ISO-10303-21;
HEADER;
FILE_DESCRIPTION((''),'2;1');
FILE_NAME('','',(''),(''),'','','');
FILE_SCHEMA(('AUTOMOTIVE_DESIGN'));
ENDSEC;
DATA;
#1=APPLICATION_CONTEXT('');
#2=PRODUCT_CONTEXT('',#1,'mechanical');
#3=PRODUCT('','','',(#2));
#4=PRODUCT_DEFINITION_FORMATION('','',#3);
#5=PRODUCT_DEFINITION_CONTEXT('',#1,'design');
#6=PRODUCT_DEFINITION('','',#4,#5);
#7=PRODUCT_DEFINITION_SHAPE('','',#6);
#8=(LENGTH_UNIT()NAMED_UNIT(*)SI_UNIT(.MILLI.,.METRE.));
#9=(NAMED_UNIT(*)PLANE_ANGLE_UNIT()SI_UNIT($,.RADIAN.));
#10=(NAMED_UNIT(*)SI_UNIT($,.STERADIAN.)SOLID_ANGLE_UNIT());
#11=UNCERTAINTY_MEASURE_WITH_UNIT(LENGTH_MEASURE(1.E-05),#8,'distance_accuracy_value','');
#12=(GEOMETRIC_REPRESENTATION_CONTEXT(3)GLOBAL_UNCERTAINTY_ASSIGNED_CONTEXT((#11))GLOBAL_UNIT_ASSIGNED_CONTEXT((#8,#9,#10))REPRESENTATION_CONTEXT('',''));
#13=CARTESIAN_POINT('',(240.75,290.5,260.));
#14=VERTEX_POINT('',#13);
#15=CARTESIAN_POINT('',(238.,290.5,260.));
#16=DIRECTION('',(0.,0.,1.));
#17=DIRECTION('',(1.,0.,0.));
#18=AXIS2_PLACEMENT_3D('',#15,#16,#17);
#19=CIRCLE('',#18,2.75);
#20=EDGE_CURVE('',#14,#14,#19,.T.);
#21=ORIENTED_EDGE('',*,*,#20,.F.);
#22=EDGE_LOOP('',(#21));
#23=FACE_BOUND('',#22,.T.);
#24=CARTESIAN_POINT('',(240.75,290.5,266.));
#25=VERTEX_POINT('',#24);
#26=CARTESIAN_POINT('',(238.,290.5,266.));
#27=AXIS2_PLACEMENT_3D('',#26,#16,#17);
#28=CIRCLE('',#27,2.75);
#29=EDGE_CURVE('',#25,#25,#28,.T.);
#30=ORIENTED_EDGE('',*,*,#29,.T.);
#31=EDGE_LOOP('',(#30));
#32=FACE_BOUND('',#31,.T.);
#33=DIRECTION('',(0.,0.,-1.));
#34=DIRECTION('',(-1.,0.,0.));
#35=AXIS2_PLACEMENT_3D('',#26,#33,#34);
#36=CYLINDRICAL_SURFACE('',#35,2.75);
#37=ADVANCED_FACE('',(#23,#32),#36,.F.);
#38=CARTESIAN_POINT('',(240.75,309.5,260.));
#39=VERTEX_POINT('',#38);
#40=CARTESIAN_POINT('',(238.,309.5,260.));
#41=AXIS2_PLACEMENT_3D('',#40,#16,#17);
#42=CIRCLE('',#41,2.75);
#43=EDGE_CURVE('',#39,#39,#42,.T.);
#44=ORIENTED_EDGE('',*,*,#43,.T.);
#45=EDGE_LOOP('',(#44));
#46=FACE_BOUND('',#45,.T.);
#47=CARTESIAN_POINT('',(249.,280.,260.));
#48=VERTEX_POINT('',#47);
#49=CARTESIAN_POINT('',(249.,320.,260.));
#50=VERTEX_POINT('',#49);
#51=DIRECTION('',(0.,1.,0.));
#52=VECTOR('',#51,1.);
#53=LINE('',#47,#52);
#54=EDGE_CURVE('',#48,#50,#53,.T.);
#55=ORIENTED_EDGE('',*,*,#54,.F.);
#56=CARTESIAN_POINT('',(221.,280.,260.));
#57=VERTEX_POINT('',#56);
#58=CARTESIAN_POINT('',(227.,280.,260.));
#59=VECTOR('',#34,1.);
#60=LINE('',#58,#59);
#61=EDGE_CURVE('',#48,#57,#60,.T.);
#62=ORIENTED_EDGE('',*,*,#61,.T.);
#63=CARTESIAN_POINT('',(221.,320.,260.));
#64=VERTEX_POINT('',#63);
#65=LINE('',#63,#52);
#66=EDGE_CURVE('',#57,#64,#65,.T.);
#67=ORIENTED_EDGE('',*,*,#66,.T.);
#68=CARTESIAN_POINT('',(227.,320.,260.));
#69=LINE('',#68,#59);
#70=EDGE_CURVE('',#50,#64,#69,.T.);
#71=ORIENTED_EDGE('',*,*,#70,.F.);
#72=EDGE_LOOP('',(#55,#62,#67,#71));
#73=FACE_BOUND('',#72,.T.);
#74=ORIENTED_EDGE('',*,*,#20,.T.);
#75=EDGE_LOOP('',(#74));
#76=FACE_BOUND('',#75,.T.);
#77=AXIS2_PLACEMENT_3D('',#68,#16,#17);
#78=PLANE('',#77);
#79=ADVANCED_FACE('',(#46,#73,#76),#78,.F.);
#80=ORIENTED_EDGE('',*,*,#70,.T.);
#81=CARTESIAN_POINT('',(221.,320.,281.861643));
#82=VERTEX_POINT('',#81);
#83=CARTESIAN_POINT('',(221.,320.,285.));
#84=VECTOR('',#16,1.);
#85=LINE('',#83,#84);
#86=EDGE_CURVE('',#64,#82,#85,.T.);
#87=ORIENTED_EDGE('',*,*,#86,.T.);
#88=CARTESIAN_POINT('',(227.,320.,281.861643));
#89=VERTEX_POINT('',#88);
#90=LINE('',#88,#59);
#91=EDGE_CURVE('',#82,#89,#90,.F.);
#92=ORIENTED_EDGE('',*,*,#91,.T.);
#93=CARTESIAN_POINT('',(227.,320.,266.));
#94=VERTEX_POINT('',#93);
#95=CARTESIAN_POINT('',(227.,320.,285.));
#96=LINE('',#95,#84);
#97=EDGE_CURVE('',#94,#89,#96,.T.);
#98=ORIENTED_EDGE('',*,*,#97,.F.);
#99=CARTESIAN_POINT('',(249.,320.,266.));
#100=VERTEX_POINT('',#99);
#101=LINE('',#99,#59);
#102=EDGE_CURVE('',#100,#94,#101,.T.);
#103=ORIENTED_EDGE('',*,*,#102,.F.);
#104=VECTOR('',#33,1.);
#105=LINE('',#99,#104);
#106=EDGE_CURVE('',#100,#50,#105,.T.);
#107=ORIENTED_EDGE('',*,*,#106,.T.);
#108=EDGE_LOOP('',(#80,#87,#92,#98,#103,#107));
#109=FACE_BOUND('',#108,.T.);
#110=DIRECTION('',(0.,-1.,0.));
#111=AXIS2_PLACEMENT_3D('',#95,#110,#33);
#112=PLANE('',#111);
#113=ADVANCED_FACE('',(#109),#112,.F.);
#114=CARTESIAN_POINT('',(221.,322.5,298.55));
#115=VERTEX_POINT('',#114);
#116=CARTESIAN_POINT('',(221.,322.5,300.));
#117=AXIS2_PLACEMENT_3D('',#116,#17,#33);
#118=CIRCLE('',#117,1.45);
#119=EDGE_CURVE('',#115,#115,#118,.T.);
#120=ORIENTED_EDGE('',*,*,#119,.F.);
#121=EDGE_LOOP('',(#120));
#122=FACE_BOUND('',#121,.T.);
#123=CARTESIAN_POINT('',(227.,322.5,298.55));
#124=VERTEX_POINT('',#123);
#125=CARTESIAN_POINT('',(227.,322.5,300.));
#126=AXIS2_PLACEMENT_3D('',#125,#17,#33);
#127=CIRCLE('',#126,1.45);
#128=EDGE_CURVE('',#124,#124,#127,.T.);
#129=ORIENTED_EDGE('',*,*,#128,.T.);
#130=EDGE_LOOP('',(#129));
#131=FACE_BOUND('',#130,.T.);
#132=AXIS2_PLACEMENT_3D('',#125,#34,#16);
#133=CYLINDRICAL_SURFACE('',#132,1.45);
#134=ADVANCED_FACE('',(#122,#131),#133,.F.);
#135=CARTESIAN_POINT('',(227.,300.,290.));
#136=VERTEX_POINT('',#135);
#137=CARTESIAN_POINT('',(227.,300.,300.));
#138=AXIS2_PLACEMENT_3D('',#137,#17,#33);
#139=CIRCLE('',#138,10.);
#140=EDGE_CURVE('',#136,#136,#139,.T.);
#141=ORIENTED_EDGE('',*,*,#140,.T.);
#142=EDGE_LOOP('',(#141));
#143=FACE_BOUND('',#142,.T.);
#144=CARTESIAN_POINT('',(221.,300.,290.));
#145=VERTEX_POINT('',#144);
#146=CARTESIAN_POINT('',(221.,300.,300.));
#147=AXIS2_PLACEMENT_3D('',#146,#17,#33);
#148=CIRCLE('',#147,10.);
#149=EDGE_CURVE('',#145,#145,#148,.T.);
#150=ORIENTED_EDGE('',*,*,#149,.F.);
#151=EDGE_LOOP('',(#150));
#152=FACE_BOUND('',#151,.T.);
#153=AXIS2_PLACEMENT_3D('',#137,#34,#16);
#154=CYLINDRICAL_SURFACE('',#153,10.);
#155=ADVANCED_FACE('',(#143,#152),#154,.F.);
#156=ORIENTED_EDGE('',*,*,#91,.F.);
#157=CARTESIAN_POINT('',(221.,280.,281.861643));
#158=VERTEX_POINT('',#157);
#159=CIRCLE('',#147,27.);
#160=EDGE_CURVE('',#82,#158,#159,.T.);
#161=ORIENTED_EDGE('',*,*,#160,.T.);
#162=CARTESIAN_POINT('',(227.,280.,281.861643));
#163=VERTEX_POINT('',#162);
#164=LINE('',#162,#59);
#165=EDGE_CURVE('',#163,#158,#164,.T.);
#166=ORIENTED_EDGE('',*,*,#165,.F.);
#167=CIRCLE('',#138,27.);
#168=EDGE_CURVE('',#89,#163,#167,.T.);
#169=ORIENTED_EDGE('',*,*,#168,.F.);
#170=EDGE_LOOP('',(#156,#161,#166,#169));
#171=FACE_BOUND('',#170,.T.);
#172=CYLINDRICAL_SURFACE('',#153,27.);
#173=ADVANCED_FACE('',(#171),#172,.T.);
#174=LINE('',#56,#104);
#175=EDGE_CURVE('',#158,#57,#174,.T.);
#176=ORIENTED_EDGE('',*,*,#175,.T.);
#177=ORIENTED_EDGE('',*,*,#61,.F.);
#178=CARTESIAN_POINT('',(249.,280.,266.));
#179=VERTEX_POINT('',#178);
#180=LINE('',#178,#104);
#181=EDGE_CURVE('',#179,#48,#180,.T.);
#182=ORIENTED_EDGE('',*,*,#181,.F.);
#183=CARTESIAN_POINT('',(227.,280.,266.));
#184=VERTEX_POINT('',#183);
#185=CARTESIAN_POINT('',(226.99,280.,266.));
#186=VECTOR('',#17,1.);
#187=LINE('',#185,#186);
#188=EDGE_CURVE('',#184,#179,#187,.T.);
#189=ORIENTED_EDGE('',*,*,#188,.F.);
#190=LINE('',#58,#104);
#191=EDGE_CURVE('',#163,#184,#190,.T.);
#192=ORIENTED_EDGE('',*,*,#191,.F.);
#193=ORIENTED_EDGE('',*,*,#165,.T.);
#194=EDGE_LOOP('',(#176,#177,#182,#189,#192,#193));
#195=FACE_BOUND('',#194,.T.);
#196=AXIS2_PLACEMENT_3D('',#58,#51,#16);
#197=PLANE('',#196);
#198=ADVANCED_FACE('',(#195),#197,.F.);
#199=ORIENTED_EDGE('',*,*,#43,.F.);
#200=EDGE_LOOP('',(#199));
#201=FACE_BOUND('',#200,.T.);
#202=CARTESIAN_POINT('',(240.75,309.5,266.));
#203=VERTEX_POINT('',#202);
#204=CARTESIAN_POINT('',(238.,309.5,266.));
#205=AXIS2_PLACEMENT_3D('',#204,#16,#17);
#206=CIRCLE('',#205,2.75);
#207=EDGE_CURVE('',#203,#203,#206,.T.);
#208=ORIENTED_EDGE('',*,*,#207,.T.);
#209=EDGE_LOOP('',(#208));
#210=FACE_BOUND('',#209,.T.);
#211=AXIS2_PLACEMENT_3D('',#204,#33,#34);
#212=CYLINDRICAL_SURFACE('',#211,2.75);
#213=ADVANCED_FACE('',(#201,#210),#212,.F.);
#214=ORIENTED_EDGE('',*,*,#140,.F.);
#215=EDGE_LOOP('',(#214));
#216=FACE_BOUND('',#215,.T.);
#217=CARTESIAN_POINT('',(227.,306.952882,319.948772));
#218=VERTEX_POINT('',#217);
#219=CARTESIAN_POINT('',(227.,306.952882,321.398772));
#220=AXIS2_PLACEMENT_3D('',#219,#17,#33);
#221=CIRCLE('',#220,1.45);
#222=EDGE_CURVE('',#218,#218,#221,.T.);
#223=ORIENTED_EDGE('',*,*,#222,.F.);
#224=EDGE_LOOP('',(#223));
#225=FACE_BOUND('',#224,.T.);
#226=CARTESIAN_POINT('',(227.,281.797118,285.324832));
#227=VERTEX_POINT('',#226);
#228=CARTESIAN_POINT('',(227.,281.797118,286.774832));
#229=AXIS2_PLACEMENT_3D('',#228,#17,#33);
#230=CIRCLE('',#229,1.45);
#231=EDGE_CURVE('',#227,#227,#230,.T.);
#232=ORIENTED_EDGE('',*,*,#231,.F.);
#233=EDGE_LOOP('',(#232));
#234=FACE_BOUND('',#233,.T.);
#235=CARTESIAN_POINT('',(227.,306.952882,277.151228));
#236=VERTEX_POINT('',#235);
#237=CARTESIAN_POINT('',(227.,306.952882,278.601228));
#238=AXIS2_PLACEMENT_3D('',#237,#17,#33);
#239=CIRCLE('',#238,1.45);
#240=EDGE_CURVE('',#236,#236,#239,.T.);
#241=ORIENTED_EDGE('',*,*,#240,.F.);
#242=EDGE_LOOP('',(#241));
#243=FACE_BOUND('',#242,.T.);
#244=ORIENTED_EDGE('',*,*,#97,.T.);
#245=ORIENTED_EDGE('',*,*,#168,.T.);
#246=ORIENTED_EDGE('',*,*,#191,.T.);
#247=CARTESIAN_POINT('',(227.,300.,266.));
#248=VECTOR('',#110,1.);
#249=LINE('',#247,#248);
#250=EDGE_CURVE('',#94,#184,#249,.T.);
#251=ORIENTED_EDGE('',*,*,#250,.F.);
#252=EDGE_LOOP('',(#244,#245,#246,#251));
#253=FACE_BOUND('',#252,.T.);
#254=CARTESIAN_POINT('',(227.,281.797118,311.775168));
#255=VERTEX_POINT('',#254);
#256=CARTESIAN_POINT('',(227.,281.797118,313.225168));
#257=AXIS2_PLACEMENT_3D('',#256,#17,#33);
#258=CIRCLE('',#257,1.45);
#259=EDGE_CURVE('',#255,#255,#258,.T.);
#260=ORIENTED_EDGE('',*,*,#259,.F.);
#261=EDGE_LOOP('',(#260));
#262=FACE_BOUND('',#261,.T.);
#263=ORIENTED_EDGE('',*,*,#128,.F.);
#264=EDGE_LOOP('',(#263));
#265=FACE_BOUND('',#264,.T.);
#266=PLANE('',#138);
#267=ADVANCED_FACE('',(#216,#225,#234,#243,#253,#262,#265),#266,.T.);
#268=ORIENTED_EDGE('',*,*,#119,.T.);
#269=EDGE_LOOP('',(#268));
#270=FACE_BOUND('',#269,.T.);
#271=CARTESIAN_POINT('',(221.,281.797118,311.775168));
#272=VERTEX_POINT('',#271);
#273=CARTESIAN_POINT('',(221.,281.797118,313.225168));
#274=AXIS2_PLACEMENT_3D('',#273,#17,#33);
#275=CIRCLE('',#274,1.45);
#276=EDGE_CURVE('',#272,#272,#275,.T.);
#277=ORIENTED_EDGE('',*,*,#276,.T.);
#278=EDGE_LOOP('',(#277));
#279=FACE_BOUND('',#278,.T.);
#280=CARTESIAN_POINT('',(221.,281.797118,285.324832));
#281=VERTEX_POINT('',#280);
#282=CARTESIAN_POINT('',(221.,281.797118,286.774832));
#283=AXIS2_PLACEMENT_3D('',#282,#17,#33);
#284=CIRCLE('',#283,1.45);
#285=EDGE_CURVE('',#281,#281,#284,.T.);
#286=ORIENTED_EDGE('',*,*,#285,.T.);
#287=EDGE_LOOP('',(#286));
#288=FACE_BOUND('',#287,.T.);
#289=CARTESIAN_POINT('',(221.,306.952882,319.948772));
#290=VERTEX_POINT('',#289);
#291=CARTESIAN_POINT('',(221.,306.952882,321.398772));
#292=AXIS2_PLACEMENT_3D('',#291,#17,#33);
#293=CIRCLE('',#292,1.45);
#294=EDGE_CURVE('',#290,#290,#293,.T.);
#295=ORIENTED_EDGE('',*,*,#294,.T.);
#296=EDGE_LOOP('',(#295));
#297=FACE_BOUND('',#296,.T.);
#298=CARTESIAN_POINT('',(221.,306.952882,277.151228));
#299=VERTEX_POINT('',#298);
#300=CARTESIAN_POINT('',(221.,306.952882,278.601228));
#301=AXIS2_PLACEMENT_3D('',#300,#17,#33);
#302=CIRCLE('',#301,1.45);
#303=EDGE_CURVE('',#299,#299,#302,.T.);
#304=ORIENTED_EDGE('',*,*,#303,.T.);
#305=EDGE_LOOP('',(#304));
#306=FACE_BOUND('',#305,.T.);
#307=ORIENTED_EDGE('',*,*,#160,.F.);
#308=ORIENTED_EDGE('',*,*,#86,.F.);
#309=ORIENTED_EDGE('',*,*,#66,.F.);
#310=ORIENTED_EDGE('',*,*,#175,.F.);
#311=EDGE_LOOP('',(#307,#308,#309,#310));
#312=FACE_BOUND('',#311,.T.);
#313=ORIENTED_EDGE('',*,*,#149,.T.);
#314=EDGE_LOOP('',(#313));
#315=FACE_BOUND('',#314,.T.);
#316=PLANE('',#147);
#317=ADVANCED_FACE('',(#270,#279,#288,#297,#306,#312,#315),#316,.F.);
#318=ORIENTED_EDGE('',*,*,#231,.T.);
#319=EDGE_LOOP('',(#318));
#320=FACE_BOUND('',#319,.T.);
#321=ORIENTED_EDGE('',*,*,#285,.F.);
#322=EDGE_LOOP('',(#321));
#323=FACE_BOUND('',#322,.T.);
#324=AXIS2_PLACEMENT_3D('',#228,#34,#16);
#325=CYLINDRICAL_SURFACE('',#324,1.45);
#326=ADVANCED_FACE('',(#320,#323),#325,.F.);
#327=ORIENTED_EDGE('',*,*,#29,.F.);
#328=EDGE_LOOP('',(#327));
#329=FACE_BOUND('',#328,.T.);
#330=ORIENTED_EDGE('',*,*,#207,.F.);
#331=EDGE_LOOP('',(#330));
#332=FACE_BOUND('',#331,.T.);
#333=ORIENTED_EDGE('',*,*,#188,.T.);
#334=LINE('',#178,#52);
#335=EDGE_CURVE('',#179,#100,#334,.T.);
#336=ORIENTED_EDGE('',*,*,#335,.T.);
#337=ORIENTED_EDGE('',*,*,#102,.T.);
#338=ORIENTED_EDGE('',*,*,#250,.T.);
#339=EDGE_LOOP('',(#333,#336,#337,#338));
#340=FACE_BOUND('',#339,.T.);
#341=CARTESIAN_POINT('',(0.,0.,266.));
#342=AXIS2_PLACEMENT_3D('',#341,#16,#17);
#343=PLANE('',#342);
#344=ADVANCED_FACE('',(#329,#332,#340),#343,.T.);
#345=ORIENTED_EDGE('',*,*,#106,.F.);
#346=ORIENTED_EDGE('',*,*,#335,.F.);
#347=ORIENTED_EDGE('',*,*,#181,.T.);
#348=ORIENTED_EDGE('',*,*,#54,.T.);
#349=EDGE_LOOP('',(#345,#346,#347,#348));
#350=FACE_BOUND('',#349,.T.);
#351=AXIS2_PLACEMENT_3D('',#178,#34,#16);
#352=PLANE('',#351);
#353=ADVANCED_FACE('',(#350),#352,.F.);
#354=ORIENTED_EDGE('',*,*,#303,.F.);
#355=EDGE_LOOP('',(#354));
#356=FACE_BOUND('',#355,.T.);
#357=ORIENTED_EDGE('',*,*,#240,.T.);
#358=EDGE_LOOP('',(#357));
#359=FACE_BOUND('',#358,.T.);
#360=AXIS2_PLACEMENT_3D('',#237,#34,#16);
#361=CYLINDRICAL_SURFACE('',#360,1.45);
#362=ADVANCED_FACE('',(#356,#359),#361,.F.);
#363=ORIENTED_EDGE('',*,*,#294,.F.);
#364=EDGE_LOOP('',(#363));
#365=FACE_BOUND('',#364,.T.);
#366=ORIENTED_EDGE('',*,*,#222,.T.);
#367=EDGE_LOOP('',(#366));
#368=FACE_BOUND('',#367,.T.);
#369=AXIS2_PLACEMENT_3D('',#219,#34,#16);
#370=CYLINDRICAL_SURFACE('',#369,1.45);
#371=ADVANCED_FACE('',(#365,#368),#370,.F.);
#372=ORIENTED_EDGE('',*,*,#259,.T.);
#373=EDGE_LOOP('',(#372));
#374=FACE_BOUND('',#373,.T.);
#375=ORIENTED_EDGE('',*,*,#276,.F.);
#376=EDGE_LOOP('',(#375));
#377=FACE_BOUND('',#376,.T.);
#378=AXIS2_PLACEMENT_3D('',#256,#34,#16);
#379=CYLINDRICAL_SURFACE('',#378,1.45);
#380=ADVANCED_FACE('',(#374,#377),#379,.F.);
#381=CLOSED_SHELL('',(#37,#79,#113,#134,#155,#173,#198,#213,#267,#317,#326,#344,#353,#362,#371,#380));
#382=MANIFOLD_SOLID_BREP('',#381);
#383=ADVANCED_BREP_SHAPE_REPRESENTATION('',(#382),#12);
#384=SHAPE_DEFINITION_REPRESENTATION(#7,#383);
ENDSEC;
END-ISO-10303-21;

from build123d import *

# Parameters (mm, degrees)
SKETCH1_R           = 27
BOSS_EXTRUDE1_DEPTH = 6
SKETCH2_W           = 25
SKETCH2_H           = 40
BOSS_EXTRUDE2_DEPTH = 6
SKETCH3_R           = 10
SKETCH3_R_2         = 1.45
CUT_EXTRUDE1_DEPTH  = 6
SKETCH4_W           = 22.01
SKETCH4_H           = 40
SKETCH4_R           = 2.75
BOSS_EXTRUDE3_DEPTH = 6


with BuildPart() as part:
    # Sketch1 → Boss-Extrude1 (new body)
    with BuildSketch(Plane(origin=(221, 0, 0), x_dir=(0, 0, -1), z_dir=(1, 0, 0))):
        with Locations((-300, 300)):
            Circle(SKETCH1_R)
    extrude(amount=BOSS_EXTRUDE1_DEPTH)

    # Sketch2 → Boss-Extrude2 (add)
    with BuildSketch(Plane(origin=(221, 0, 0), x_dir=(0, 0, -1), z_dir=(1, 0, 0))):
        with Locations((-272.5, 300)):
            Rectangle(SKETCH2_W, SKETCH2_H)
    extrude(amount=BOSS_EXTRUDE2_DEPTH)

    # Sketch3 → Cut-Extrude1 (cut)
    with BuildSketch(Plane(origin=(221, 0, 0), x_dir=(0, 0, -1), z_dir=(1, 0, 0))):
        with Locations((-300, 300)):
            Circle(SKETCH3_R)
        with Locations((-300, 322.5)):
            Circle(SKETCH3_R_2)
        with Locations((-278.601228383, 306.952882373)):
            Circle(SKETCH3_R_2)
        with Locations((-286.774831823, 281.797117627)):
            Circle(SKETCH3_R_2)
        with Locations((-313.225168177, 281.797117627)):
            Circle(SKETCH3_R_2)
        with Locations((-321.398771617, 306.952882373)):
            Circle(SKETCH3_R_2)
    extrude(amount=CUT_EXTRUDE1_DEPTH, mode=Mode.SUBTRACT)

    # Sketch4 → Boss-Extrude3 (add)
    with BuildSketch(Plane.XY.offset(260)):
        with Locations((237.995, 300)):
            Rectangle(SKETCH4_W, SKETCH4_H)
        with Locations((238, 290.5)):
            Circle(SKETCH4_R, mode=Mode.SUBTRACT)
        with Locations((238, 309.5)):
            Circle(SKETCH4_R, mode=Mode.SUBTRACT)
    extrude(amount=BOSS_EXTRUDE3_DEPTH)


solid = part.part
